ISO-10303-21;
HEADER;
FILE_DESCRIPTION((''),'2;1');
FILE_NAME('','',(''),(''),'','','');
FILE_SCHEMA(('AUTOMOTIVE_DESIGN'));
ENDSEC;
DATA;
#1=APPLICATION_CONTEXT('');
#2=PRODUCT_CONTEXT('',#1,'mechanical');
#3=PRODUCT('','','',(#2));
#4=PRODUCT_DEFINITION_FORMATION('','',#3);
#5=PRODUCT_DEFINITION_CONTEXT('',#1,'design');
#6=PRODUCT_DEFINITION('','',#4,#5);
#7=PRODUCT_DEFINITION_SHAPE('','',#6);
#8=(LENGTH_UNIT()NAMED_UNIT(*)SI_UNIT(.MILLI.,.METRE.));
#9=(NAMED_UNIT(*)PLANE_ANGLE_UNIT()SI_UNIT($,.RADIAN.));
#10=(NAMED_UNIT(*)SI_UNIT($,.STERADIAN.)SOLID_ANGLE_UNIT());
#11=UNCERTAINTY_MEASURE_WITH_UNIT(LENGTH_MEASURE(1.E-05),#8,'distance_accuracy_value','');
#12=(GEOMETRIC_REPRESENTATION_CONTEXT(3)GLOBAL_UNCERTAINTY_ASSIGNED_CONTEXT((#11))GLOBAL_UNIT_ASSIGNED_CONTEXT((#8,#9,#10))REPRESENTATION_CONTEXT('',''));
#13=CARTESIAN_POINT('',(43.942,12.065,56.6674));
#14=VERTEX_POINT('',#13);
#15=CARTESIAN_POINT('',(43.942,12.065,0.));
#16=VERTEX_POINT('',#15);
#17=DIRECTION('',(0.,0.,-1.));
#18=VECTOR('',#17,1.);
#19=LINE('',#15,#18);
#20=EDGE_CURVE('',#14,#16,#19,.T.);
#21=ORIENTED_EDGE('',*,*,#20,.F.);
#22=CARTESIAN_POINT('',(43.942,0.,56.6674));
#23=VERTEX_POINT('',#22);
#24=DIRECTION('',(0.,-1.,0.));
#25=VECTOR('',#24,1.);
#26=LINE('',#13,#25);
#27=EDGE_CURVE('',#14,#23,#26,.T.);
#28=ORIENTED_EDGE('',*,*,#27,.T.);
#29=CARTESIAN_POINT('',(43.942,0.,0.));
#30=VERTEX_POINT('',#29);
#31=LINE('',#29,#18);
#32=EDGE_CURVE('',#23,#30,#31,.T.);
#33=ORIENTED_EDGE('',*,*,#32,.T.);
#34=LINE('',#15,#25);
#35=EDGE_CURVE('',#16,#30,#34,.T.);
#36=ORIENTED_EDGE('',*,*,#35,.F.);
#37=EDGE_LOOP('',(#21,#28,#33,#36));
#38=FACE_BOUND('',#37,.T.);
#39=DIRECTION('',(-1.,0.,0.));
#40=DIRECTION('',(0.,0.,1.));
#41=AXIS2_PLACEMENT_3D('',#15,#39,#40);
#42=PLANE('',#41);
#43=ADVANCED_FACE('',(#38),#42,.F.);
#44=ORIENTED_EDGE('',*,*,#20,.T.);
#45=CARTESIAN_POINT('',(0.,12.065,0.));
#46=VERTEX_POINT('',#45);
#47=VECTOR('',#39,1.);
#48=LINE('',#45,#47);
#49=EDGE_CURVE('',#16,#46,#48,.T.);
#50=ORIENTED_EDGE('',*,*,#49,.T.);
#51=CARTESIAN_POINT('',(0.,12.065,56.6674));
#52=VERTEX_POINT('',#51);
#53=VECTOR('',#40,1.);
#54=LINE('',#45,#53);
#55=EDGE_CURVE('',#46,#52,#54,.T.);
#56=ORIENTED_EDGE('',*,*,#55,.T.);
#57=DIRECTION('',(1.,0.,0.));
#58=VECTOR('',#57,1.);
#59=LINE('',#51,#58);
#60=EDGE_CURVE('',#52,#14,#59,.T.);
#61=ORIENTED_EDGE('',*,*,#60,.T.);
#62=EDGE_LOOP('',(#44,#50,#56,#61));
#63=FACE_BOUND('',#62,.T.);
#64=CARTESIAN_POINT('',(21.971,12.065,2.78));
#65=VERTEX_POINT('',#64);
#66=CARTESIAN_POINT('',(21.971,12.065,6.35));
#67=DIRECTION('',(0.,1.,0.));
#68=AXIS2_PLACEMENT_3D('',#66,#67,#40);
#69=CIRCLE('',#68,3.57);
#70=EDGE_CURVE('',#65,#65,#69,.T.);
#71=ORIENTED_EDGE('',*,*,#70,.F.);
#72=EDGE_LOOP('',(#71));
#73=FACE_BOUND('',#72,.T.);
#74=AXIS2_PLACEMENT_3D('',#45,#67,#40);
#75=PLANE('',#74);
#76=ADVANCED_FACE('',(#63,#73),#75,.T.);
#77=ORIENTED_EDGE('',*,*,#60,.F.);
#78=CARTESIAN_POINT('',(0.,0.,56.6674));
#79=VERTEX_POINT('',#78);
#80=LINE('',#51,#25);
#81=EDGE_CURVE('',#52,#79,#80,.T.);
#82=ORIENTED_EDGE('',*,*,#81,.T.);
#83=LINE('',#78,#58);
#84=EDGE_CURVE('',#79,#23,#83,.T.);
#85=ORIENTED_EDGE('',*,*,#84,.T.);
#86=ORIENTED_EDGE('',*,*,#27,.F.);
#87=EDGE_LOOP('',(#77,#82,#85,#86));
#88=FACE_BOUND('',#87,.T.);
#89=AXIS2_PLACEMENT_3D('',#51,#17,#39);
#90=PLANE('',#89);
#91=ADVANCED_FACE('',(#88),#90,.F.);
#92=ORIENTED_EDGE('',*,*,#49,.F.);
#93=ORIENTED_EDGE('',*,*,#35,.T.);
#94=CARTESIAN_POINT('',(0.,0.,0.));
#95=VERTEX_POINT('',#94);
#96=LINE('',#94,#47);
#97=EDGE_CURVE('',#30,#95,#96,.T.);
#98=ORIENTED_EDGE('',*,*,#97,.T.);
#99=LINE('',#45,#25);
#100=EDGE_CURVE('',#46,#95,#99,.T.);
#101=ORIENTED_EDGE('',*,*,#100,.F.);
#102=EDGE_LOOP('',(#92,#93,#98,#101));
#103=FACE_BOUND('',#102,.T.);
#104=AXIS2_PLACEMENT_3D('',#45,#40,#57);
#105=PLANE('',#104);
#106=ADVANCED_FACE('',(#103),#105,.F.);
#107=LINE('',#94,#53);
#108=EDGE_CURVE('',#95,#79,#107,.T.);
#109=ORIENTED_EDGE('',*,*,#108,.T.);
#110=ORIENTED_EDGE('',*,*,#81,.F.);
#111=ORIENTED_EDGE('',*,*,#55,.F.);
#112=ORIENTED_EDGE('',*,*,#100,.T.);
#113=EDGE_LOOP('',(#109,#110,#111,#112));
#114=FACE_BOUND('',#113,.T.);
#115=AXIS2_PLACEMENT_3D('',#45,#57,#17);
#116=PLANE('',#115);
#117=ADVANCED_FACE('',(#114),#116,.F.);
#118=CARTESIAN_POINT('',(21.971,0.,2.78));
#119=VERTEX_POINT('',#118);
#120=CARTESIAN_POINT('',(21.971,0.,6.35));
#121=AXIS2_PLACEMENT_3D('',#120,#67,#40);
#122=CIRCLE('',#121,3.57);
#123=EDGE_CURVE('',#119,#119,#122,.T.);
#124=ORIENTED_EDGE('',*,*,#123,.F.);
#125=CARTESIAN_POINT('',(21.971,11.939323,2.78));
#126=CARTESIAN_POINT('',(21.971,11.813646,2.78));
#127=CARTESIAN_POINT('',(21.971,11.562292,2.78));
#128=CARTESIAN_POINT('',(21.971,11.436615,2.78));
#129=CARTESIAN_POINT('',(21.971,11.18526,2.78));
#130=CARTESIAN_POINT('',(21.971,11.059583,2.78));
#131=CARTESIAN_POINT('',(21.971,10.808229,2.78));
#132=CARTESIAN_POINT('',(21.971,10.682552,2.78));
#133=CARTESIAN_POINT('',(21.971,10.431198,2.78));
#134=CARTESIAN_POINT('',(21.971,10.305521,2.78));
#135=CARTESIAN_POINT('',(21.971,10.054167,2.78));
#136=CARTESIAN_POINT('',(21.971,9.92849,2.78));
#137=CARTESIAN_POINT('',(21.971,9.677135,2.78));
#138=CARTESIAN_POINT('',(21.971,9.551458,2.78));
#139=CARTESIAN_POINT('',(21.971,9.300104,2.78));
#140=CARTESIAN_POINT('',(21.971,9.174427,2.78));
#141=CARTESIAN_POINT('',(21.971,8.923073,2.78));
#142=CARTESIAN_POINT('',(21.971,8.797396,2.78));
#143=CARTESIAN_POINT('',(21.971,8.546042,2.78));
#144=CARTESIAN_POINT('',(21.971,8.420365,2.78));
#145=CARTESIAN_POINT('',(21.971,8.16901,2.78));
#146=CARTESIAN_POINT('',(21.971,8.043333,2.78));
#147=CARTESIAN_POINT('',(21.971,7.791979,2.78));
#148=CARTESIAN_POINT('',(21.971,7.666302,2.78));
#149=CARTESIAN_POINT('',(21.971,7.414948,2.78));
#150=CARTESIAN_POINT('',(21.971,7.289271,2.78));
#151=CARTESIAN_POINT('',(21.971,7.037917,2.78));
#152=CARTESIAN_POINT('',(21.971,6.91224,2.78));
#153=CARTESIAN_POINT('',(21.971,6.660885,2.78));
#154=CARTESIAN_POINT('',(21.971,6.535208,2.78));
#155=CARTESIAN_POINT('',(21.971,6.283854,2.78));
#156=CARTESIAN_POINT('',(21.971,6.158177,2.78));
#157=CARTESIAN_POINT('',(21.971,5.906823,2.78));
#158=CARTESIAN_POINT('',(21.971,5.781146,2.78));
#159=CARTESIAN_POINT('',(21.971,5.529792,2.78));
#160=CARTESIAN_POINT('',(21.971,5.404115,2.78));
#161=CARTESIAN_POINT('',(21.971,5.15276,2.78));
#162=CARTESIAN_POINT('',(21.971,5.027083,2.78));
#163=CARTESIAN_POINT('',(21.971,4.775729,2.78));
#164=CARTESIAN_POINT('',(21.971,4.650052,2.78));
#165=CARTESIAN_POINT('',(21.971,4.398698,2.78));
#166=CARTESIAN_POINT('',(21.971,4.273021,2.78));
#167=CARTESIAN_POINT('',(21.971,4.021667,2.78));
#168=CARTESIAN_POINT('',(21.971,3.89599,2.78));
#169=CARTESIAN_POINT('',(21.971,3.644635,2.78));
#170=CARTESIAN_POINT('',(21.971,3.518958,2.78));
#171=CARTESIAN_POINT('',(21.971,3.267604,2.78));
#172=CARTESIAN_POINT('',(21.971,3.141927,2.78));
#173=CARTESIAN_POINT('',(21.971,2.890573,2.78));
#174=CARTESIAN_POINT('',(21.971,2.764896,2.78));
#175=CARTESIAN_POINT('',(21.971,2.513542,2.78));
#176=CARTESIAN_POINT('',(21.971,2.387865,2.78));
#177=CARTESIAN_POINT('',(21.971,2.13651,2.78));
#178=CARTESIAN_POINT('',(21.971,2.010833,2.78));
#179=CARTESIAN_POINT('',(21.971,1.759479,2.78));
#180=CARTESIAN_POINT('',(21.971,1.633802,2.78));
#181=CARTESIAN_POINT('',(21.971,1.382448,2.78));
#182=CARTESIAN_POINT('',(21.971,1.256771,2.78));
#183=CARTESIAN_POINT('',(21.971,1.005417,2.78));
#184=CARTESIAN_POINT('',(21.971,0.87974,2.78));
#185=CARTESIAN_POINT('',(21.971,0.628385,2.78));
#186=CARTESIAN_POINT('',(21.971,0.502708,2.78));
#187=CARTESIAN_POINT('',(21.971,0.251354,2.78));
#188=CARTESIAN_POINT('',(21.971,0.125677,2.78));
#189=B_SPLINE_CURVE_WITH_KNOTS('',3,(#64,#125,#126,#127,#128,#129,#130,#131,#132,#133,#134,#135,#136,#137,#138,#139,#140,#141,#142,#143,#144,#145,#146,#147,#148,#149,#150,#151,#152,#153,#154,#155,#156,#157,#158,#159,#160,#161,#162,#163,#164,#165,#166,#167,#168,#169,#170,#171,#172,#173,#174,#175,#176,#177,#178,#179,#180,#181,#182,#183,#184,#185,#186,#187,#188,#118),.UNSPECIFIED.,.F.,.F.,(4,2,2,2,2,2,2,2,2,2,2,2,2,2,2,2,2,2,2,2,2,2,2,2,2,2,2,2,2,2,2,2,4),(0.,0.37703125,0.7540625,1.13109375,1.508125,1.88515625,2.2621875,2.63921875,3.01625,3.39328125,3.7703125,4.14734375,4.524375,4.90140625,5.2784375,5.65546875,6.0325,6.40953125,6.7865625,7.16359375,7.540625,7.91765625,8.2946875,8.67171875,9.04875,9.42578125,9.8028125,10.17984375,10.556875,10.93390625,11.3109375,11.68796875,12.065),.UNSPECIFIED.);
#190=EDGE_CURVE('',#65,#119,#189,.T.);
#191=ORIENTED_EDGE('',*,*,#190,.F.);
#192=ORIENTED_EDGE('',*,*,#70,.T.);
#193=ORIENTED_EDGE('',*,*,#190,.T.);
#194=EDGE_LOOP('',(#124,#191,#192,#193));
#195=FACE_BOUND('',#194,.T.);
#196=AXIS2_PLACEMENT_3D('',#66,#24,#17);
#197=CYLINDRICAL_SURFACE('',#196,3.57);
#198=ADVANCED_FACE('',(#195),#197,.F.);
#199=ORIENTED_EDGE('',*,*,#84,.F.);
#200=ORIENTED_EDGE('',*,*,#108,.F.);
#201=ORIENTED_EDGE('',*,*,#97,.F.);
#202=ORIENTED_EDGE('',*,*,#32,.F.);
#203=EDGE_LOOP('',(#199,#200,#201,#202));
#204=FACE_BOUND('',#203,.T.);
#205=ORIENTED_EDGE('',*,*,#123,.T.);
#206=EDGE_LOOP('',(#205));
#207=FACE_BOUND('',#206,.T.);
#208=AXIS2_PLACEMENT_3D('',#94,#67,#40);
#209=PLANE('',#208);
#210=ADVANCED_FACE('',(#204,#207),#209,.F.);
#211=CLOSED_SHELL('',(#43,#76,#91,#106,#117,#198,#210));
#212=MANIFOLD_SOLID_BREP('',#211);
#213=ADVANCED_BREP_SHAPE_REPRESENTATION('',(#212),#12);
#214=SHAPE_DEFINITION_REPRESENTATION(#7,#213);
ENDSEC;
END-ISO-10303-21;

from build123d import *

# Parameters (mm, degrees)
SKETCH1_W           = 43.942
SKETCH1_H           = 56.6674
SKETCH1_R           = 3.57
BOSS_EXTRUDE1_DEPTH = 12.065


with BuildPart() as part:
    # Sketch1 → Boss-Extrude1 (new body)
    with BuildSketch(Plane(origin=(0, 0, 0), x_dir=(1, 0, 0), z_dir=(0, 1, 0))):
        with Locations((21.971, -28.3337)):
            Rectangle(SKETCH1_W, SKETCH1_H)
        with Locations(Location((21.971, -6.35, 0), (0, 0, 90))):
            Circle(SKETCH1_R, mode=Mode.SUBTRACT)
    extrude(amount=BOSS_EXTRUDE1_DEPTH)


solid = part.part
